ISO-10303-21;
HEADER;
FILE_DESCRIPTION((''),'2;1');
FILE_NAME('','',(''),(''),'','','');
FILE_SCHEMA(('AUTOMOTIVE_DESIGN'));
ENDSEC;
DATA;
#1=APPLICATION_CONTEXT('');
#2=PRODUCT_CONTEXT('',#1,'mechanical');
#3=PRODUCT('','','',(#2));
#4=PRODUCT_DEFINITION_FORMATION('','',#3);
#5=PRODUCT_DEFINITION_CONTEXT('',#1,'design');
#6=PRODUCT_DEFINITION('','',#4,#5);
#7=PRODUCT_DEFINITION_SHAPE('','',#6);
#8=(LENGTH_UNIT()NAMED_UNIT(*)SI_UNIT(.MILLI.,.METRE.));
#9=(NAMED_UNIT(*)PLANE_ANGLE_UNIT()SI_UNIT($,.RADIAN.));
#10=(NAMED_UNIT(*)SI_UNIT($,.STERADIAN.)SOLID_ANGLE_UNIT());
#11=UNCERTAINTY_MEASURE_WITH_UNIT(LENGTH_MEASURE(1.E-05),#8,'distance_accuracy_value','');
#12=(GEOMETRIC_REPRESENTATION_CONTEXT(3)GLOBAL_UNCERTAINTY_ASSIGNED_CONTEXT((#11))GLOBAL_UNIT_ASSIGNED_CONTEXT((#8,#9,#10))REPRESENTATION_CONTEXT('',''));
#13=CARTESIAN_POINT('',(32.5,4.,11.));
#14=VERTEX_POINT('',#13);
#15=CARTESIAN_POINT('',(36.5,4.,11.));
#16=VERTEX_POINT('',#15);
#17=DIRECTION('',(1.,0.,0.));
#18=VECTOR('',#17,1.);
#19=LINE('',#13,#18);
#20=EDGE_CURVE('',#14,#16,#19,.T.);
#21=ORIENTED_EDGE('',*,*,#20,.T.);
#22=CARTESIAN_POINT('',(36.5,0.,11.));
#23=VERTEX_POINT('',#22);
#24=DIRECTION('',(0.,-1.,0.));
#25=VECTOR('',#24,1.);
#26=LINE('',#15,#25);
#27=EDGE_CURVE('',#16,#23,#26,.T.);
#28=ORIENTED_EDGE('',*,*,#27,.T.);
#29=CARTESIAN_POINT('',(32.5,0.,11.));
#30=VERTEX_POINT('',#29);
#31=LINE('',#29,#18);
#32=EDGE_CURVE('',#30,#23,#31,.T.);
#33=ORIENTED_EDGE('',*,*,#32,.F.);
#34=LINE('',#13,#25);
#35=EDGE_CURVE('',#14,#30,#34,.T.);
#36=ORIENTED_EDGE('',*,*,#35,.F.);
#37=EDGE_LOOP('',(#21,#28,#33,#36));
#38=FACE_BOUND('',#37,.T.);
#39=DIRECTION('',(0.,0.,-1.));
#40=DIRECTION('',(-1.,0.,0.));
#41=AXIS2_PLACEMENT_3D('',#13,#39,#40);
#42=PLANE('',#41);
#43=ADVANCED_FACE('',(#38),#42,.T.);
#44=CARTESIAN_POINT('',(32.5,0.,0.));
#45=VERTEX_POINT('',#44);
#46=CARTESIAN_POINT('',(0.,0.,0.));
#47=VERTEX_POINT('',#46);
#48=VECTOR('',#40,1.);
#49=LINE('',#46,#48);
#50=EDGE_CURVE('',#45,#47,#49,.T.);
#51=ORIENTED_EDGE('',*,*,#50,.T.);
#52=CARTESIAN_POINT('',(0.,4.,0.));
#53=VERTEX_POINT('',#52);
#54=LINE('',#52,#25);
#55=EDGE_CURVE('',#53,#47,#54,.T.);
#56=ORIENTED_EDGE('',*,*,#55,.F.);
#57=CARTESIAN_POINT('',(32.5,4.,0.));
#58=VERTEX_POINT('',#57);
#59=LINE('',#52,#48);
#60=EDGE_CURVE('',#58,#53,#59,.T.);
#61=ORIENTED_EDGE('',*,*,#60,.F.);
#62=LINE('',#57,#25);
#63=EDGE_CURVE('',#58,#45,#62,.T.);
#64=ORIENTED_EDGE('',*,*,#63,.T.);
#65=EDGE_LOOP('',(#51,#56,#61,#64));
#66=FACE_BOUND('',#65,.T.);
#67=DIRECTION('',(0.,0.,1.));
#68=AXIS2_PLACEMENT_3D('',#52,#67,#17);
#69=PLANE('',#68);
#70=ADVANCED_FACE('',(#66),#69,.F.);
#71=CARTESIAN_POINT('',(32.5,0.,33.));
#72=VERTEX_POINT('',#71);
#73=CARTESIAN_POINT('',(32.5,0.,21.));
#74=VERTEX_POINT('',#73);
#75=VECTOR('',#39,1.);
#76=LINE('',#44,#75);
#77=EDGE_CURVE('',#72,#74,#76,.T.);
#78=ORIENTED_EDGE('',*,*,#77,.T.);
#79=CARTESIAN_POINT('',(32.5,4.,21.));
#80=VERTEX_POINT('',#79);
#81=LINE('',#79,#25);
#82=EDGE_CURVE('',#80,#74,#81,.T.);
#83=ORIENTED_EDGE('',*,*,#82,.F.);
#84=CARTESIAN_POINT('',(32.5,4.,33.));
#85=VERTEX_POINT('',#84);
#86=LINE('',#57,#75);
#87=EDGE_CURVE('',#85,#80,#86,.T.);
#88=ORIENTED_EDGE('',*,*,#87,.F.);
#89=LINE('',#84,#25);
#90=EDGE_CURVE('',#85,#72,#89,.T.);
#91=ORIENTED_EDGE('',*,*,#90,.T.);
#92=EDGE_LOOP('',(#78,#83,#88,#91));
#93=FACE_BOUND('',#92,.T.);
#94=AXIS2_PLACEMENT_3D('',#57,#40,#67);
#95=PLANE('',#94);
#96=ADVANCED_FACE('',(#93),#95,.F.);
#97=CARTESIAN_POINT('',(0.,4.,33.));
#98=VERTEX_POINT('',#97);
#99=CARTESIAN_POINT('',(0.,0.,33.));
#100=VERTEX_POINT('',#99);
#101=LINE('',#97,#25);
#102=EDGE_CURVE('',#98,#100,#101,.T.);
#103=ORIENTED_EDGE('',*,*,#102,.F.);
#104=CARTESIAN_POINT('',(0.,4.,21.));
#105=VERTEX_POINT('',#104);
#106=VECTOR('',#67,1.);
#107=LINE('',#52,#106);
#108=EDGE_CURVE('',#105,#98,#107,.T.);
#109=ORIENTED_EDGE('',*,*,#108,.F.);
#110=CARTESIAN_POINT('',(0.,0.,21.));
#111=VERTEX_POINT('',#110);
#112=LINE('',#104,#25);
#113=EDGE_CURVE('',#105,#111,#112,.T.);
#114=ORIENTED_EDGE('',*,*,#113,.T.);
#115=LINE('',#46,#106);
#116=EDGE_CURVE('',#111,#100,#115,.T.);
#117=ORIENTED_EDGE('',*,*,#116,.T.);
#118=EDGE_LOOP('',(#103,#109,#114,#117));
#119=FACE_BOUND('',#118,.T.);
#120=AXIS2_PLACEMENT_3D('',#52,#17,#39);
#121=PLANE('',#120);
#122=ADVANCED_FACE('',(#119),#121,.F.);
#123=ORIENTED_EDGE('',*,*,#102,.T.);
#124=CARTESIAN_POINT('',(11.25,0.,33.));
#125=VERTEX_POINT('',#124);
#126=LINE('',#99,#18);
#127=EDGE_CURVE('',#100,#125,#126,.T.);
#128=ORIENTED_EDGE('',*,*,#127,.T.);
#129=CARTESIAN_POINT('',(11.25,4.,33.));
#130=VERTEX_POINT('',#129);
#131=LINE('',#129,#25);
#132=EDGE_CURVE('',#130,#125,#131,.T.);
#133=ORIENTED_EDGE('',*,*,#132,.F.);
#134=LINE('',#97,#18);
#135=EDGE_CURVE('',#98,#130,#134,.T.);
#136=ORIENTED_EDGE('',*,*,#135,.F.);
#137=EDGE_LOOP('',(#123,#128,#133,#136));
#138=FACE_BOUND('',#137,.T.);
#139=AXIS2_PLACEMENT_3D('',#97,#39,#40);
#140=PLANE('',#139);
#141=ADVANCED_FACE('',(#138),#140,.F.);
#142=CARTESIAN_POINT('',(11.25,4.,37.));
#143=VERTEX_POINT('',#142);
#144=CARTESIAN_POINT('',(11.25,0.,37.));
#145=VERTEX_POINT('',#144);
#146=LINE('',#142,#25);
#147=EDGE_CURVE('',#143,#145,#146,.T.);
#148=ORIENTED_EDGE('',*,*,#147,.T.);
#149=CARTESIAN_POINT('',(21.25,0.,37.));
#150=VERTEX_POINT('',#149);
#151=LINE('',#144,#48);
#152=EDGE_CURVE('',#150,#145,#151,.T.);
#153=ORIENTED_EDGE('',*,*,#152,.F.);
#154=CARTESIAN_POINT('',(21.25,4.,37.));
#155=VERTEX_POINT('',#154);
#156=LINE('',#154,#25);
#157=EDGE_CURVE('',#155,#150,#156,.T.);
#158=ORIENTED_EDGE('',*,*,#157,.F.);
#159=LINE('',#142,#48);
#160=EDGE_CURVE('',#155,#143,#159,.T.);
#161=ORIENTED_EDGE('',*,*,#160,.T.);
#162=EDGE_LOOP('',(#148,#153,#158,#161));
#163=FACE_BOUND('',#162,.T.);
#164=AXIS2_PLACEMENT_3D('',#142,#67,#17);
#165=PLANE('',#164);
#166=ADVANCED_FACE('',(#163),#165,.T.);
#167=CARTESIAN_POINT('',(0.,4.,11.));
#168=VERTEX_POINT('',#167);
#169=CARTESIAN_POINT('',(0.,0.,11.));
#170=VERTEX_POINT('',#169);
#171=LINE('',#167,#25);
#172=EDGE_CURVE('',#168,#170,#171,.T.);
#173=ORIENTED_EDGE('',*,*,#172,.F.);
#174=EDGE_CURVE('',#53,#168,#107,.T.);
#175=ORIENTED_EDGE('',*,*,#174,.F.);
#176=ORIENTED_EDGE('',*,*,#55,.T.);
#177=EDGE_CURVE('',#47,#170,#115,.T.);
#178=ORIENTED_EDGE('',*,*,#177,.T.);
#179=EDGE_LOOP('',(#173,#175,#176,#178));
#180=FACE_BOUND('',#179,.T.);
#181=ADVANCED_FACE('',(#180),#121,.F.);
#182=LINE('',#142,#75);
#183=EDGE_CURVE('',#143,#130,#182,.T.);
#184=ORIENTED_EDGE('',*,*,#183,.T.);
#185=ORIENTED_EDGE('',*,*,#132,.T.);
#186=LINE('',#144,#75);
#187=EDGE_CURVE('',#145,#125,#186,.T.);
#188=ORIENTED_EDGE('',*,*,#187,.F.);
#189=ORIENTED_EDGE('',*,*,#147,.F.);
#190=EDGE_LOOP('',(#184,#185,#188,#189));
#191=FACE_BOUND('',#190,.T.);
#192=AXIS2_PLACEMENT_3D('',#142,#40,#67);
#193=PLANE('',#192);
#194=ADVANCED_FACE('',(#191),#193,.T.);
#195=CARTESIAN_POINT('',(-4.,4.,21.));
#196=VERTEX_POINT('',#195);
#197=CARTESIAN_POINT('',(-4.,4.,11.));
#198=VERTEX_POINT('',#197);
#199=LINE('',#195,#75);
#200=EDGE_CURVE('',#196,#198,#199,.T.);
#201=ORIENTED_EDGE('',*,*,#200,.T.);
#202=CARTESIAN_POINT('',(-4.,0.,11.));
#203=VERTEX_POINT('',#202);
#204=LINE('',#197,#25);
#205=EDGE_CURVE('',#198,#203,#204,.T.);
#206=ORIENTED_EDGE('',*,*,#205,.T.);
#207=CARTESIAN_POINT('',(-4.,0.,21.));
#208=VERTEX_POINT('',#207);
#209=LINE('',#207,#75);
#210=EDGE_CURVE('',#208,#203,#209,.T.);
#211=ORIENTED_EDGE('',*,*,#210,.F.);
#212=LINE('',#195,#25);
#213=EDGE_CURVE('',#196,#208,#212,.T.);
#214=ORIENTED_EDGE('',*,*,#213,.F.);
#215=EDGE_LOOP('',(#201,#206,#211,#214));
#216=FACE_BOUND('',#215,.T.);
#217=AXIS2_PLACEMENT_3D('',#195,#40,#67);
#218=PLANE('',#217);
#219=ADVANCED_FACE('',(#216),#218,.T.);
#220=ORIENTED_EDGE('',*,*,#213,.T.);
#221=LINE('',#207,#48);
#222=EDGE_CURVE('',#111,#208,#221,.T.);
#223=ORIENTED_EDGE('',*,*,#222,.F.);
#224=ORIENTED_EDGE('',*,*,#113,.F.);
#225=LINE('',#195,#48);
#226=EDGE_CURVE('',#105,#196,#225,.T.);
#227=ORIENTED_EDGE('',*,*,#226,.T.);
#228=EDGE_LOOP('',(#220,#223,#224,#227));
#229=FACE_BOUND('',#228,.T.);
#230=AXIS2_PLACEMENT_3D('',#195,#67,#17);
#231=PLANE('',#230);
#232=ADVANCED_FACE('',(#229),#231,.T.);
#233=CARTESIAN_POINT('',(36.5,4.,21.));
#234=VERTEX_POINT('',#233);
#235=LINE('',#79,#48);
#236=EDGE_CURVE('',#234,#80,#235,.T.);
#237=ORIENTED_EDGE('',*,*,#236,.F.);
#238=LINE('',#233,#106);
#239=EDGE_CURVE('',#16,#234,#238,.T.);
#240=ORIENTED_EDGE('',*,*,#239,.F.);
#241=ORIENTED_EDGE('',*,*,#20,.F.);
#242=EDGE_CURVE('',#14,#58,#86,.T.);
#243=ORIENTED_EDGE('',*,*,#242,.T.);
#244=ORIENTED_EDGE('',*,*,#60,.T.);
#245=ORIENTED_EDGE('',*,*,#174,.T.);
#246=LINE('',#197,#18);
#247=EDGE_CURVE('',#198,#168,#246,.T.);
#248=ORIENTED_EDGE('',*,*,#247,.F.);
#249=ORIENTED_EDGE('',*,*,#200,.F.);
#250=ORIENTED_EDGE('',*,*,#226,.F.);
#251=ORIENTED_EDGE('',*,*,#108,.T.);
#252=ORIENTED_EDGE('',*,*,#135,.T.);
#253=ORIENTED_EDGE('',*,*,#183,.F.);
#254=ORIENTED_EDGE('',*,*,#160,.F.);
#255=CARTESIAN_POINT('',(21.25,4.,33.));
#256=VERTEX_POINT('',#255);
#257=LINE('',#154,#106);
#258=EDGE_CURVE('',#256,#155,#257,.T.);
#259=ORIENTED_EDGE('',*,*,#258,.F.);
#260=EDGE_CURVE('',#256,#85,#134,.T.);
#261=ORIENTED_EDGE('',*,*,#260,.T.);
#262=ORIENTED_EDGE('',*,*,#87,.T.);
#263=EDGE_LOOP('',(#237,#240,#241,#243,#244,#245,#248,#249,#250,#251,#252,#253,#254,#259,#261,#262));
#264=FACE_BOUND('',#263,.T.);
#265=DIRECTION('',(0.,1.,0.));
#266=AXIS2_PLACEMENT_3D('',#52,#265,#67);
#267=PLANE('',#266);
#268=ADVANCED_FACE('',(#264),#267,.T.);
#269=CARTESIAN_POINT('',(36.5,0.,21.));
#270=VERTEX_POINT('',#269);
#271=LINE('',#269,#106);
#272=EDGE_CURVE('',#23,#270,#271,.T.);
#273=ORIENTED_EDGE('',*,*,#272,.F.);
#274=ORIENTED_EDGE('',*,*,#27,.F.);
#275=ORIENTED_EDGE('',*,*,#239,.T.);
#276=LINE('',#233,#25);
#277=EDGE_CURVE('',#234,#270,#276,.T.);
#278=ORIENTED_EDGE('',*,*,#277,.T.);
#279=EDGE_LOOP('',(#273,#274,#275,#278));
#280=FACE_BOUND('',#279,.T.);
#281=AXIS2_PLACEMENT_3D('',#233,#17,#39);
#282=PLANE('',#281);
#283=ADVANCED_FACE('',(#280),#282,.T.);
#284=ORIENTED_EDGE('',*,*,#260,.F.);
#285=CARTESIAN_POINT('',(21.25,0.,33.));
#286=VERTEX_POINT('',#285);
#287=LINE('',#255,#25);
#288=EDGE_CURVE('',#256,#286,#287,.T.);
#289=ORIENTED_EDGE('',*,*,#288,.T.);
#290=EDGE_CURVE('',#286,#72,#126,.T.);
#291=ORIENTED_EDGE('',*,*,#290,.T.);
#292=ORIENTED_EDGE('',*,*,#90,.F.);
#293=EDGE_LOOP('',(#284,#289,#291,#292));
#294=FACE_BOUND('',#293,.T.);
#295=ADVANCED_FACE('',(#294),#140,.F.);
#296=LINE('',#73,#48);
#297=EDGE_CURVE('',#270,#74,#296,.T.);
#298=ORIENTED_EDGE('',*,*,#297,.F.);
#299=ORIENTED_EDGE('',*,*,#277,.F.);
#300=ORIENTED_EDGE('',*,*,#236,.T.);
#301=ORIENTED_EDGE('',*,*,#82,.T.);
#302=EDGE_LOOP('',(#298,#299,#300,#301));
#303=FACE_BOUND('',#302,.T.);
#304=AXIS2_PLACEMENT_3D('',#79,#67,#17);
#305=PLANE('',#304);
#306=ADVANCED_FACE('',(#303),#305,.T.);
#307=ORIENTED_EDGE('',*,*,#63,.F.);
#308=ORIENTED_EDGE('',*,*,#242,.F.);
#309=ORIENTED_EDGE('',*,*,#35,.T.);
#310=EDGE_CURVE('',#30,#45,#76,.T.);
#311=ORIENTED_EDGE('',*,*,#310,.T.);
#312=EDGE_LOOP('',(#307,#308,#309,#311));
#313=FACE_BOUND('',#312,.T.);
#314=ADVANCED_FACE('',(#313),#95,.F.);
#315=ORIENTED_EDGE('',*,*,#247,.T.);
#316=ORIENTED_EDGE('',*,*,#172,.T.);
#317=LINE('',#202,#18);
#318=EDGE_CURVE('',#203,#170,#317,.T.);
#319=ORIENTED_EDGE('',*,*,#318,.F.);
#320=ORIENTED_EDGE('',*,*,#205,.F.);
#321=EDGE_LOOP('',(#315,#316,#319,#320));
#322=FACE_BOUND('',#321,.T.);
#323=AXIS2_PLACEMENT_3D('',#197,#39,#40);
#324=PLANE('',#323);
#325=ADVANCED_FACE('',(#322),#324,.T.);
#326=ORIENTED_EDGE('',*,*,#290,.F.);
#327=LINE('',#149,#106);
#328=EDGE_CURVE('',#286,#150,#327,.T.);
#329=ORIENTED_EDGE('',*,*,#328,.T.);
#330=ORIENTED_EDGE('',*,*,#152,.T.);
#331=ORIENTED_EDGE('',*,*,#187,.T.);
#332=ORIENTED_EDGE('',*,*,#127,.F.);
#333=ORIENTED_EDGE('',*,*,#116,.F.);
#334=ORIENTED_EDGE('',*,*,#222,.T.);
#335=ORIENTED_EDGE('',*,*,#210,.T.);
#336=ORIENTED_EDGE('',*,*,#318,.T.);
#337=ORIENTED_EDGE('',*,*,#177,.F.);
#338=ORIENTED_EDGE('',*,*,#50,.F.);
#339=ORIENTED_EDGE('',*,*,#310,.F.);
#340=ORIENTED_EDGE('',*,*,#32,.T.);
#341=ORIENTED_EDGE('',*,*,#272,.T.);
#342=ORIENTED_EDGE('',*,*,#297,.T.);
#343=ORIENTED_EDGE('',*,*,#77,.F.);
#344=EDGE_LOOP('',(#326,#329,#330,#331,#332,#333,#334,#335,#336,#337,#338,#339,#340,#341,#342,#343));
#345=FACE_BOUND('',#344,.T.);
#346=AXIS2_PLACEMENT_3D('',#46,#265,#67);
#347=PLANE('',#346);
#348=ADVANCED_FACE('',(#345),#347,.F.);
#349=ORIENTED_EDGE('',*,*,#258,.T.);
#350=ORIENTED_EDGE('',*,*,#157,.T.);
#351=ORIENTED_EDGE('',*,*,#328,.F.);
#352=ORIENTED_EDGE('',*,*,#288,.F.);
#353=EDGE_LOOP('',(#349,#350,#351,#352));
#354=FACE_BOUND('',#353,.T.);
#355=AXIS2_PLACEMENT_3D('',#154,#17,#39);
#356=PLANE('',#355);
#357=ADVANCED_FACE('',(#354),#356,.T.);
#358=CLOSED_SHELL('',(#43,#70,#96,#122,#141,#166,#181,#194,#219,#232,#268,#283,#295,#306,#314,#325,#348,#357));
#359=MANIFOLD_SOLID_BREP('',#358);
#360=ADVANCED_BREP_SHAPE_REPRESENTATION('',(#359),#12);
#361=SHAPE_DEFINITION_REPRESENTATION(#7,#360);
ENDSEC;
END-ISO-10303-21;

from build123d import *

# Parameters (mm, degrees)
SKETCH1_W           = 32.5
SKETCH1_H           = 33
BOSS_EXTRUDE1_DEPTH = 4
SKETCH2_W           = 10
SKETCH2_H           = 4
SKETCH2_W_2         = 4
SKETCH2_H_2         = 10
BOSS_EXTRUDE2_DEPTH = 4


with BuildPart() as part:
    # Sketch1 → Boss-Extrude1 (new body)
    with BuildSketch(Plane(origin=(0, 0, 0), x_dir=(1, 0, 0), z_dir=(0, 1, 0))):
        with Locations((16.25, -16.5)):
            Rectangle(SKETCH1_W, SKETCH1_H)
    extrude(amount=BOSS_EXTRUDE1_DEPTH)

    # Sketch2 → Boss-Extrude2 (add, through all)
    with BuildSketch(Plane.XZ):
        with Locations((16.25, 35)):
            Rectangle(SKETCH2_W, SKETCH2_H)
        with Locations((34.5, 16)):
            Rectangle(SKETCH2_W_2, SKETCH2_H_2)
        with Locations((-2, 16)):
            Rectangle(SKETCH2_W_2, SKETCH2_H_2)
    extrude(amount=-BOSS_EXTRUDE2_DEPTH)


solid = part.part
